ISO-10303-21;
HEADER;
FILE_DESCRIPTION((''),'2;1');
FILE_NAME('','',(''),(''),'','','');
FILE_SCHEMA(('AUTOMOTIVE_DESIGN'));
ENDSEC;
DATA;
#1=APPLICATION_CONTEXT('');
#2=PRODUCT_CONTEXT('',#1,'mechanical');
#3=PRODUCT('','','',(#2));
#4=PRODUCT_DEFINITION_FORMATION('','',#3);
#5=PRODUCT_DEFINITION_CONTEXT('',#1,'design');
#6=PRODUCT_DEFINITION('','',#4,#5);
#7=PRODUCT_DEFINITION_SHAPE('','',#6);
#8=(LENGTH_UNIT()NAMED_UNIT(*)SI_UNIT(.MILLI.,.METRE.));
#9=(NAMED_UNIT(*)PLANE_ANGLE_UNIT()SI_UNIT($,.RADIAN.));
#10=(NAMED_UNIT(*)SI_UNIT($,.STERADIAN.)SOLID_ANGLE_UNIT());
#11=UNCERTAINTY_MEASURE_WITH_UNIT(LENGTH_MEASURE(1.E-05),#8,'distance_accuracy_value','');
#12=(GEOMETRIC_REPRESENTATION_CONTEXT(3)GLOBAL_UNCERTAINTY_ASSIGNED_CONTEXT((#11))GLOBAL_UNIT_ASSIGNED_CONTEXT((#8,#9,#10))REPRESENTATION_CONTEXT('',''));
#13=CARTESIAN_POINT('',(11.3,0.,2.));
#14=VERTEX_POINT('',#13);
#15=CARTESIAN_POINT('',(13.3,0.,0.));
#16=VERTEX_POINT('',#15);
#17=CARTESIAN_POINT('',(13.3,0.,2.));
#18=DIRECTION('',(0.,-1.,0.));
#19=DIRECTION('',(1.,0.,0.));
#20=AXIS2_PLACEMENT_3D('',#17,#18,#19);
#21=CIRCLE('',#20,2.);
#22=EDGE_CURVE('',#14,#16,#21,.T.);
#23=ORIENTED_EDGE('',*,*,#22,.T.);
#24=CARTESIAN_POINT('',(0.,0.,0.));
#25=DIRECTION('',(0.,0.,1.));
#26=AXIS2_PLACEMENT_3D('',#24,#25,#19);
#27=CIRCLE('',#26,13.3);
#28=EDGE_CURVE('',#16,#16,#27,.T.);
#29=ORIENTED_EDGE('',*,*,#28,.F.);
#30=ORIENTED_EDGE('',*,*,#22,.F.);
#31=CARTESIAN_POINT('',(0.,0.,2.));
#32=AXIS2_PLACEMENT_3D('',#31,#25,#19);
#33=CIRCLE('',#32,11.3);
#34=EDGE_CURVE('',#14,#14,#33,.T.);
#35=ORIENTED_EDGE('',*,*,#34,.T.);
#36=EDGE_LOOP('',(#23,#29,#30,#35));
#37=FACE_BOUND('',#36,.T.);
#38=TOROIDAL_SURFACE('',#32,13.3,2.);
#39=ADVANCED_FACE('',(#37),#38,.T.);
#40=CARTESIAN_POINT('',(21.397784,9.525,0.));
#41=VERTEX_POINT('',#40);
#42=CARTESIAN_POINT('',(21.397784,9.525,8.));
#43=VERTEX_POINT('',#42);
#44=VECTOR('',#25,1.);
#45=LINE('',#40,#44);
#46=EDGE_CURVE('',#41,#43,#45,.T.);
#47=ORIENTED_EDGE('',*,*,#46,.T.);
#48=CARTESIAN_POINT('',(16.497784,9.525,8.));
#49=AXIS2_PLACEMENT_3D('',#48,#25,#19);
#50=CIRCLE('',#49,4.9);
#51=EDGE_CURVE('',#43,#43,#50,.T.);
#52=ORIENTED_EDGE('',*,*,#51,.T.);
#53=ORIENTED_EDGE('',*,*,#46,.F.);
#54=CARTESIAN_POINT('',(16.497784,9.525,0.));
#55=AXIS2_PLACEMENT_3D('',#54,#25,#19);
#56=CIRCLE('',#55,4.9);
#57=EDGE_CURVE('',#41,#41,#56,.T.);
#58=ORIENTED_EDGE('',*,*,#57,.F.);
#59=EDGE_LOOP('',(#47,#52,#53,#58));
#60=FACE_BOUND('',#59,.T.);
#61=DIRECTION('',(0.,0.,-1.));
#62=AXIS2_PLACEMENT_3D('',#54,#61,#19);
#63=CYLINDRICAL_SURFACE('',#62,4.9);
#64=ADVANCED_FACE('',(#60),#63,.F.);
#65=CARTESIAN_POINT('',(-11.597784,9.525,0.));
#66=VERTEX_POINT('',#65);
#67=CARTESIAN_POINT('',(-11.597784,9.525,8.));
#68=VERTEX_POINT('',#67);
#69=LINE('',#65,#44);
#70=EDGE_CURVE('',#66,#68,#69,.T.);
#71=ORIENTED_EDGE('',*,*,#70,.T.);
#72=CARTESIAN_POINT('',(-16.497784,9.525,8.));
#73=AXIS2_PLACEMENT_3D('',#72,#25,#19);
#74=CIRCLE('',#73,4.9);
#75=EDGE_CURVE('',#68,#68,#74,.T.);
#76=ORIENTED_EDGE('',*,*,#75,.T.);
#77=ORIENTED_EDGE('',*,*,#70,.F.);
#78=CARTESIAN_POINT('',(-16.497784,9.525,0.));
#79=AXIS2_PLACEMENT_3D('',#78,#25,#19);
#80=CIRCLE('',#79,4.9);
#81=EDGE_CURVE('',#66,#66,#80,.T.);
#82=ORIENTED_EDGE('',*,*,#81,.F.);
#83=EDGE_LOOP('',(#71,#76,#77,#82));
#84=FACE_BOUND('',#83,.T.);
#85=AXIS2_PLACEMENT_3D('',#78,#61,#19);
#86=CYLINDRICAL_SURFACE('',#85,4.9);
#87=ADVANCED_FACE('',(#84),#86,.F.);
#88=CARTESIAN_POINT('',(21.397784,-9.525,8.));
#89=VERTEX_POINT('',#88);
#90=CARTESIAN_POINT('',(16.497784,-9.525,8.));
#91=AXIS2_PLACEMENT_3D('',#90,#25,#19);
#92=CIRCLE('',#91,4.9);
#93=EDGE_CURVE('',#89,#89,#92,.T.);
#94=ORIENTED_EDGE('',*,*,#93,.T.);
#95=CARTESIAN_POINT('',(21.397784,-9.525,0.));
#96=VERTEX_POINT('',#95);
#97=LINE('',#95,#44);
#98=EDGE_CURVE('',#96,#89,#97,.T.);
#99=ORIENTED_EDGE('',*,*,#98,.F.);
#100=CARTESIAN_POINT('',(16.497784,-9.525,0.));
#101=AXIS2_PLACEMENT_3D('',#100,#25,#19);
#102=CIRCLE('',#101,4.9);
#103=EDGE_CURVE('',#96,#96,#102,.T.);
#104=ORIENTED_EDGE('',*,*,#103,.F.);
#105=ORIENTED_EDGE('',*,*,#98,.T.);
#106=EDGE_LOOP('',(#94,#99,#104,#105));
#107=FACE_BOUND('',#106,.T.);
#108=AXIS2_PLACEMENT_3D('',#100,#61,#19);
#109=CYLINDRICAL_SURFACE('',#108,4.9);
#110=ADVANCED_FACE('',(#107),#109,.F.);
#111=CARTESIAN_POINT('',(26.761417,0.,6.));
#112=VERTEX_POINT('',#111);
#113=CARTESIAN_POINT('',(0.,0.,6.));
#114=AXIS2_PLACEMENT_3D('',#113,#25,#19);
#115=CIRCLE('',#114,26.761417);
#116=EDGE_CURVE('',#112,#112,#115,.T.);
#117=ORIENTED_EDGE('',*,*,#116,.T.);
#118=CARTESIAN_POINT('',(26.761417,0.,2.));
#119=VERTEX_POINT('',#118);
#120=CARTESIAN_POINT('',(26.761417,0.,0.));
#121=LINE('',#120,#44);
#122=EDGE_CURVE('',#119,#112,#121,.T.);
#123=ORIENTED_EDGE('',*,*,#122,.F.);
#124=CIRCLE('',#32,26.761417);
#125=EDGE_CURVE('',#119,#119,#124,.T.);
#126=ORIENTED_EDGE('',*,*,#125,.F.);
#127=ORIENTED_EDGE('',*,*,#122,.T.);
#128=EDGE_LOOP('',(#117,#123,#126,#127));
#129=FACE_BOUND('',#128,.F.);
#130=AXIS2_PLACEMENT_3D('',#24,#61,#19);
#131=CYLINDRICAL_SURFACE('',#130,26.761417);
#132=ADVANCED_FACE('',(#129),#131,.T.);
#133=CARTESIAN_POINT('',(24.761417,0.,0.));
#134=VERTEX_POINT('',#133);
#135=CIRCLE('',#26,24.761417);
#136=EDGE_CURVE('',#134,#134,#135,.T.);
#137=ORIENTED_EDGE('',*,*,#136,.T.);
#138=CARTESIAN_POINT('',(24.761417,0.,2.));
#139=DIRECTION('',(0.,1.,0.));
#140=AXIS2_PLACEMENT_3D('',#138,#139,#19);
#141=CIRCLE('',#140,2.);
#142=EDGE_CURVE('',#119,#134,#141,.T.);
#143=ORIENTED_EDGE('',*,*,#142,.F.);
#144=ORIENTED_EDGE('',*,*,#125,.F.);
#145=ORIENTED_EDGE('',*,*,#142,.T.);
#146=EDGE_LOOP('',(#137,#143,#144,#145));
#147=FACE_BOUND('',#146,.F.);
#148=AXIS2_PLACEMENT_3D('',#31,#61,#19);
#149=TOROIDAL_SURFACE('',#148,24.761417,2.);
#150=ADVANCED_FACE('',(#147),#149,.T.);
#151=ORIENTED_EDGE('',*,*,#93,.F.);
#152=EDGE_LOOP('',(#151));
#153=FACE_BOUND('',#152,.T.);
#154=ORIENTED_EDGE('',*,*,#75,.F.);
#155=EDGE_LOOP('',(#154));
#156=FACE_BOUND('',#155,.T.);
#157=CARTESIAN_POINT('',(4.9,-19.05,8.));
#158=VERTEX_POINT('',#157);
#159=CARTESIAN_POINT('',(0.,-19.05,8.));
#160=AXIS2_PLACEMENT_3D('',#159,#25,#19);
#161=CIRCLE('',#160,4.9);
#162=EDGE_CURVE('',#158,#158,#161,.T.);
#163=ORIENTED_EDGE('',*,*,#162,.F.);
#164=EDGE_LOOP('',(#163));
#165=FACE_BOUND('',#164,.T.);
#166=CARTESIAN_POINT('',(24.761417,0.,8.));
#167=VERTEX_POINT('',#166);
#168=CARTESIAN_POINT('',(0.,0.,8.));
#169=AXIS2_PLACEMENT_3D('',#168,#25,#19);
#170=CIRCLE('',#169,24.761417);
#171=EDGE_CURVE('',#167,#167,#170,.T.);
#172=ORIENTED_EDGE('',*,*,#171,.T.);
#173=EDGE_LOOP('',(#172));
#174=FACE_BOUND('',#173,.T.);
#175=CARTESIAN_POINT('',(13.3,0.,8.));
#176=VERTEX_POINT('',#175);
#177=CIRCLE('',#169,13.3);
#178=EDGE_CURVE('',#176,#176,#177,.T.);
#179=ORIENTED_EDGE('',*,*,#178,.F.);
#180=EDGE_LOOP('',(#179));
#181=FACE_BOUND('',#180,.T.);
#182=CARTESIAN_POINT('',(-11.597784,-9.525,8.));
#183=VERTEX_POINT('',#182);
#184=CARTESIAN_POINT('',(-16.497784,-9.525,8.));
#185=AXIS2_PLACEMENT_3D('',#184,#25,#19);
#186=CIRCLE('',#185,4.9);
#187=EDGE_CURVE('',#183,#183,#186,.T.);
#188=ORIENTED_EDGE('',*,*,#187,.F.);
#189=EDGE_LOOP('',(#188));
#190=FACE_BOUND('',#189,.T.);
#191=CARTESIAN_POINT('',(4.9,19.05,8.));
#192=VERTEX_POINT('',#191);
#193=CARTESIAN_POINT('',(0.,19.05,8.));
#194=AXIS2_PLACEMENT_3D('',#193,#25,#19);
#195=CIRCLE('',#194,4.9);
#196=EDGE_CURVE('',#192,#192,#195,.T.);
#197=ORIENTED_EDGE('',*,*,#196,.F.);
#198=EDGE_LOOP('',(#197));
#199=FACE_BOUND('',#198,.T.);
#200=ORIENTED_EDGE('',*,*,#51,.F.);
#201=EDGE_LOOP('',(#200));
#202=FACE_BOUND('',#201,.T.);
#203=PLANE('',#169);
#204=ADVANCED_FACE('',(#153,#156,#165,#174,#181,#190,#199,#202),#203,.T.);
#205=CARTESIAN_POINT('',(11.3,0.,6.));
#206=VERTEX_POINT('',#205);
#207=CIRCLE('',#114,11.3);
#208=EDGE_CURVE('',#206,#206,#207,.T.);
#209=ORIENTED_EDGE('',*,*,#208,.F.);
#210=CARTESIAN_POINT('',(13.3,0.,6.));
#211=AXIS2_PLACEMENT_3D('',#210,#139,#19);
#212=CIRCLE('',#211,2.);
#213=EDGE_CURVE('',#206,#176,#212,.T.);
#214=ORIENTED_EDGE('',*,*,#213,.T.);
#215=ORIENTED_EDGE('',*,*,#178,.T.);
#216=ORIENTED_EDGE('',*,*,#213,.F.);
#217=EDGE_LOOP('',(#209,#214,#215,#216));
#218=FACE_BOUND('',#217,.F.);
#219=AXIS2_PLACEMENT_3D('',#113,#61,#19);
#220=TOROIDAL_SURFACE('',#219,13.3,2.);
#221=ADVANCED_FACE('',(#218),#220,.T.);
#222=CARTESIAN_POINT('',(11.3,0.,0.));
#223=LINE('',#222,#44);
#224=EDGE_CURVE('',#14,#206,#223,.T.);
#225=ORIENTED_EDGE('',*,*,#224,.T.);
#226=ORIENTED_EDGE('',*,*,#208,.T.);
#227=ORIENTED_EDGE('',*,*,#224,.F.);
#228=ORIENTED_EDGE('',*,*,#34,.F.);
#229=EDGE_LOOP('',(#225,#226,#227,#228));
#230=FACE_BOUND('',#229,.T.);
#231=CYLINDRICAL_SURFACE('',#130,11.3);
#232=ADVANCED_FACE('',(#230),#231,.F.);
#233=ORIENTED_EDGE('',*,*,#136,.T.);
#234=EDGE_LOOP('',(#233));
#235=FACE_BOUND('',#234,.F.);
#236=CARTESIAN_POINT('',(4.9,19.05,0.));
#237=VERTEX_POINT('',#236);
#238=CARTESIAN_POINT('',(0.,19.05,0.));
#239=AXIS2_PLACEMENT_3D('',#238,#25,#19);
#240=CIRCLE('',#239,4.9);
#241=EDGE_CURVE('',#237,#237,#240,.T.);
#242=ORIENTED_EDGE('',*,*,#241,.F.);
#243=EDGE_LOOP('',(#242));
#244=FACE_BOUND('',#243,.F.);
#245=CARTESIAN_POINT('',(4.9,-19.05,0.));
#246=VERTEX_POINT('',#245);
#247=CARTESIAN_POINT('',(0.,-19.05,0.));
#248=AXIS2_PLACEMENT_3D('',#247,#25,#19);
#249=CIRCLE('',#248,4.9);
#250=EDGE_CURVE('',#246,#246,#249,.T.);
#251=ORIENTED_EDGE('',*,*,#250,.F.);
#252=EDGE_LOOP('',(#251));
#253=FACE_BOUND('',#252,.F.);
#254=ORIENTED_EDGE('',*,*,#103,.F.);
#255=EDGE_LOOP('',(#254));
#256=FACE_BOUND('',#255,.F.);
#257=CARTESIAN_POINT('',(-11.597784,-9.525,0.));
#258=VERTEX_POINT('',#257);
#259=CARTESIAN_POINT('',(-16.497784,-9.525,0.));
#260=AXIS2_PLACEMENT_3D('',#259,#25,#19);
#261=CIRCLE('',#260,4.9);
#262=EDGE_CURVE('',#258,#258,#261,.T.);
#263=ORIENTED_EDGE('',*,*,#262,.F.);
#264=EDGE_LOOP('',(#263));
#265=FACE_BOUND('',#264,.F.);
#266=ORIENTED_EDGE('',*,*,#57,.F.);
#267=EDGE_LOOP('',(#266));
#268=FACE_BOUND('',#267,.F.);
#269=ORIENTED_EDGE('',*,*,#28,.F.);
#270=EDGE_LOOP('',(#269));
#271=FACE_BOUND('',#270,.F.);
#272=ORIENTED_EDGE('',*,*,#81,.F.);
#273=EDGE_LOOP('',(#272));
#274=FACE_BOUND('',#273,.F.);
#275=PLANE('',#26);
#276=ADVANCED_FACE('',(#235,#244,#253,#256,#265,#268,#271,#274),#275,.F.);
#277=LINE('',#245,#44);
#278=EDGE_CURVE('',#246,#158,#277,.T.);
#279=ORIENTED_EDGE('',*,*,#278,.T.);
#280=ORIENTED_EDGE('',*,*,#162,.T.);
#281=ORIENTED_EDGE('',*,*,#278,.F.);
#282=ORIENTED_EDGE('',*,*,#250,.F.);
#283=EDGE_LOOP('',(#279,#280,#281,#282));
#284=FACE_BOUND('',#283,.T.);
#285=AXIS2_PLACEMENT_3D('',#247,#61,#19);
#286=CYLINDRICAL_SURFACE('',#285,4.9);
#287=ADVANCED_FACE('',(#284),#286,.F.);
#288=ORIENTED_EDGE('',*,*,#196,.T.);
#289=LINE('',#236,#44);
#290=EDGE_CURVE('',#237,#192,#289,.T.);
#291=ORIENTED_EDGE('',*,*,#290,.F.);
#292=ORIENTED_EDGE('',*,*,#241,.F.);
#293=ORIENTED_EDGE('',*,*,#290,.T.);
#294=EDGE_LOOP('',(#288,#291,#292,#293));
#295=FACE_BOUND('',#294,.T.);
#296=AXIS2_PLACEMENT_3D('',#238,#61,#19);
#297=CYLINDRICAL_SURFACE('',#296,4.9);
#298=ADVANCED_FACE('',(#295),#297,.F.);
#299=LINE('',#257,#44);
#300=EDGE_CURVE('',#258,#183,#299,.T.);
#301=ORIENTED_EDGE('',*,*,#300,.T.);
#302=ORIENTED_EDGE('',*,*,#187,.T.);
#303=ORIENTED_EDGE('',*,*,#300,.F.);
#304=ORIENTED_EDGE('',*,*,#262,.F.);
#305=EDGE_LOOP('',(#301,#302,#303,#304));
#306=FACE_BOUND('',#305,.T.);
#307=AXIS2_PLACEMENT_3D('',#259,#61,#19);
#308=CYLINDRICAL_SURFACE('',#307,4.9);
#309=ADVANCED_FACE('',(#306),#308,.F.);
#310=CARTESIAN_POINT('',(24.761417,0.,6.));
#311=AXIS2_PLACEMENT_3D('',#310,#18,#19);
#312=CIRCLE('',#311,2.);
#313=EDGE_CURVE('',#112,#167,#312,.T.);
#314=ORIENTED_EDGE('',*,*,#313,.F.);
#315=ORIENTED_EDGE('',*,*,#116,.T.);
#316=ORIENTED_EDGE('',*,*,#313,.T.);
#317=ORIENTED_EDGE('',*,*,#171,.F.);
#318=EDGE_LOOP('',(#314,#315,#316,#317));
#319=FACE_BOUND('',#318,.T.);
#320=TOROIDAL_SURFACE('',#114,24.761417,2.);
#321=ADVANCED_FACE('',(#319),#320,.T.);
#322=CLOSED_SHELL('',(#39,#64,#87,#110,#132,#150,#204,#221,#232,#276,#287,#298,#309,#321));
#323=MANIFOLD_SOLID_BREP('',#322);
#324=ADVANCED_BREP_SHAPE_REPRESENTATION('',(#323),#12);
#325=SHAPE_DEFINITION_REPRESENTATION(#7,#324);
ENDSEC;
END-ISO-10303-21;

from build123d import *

# Parameters (mm, degrees)
F0_R     = 26.761417
F0_R_2   = 4.9
F0_R_3   = 11.3
F1_DEPTH = 8
F2_R     = 2


with BuildPart() as f1:
    # F0 (on Top) → F1 (new body)
    with BuildSketch(Plane.XY):
        Circle(F0_R)
        with Locations((-16.497784, -9.525)):
            Circle(F0_R_2, mode=Mode.SUBTRACT)
        with Locations((0, -19.05)):
            Circle(F0_R_2, mode=Mode.SUBTRACT)
        with Locations((16.497784, -9.525)):
            Circle(F0_R_2, mode=Mode.SUBTRACT)
        with Locations((-16.497784, 9.525)):
            Circle(F0_R_2, mode=Mode.SUBTRACT)
        Circle(F0_R_3, mode=Mode.SUBTRACT)
        with Locations((16.497784, 9.525)):
            Circle(F0_R_2, mode=Mode.SUBTRACT)
        with Locations((0, 19.05)):
            Circle(F0_R_2, mode=Mode.SUBTRACT)
    extrude(amount=F1_DEPTH)

    # F2
    f2_edges = [f1.edges().sort_by_distance(p)[0] for p in [
        (-11.3, 0, 8),
        (-11.3, 0, 0),
        (-26.761417, 0, 0),
        (-26.761417, 0, 8),
    ]]
    fillet(f2_edges, radius=F2_R)


solid = f1.part
